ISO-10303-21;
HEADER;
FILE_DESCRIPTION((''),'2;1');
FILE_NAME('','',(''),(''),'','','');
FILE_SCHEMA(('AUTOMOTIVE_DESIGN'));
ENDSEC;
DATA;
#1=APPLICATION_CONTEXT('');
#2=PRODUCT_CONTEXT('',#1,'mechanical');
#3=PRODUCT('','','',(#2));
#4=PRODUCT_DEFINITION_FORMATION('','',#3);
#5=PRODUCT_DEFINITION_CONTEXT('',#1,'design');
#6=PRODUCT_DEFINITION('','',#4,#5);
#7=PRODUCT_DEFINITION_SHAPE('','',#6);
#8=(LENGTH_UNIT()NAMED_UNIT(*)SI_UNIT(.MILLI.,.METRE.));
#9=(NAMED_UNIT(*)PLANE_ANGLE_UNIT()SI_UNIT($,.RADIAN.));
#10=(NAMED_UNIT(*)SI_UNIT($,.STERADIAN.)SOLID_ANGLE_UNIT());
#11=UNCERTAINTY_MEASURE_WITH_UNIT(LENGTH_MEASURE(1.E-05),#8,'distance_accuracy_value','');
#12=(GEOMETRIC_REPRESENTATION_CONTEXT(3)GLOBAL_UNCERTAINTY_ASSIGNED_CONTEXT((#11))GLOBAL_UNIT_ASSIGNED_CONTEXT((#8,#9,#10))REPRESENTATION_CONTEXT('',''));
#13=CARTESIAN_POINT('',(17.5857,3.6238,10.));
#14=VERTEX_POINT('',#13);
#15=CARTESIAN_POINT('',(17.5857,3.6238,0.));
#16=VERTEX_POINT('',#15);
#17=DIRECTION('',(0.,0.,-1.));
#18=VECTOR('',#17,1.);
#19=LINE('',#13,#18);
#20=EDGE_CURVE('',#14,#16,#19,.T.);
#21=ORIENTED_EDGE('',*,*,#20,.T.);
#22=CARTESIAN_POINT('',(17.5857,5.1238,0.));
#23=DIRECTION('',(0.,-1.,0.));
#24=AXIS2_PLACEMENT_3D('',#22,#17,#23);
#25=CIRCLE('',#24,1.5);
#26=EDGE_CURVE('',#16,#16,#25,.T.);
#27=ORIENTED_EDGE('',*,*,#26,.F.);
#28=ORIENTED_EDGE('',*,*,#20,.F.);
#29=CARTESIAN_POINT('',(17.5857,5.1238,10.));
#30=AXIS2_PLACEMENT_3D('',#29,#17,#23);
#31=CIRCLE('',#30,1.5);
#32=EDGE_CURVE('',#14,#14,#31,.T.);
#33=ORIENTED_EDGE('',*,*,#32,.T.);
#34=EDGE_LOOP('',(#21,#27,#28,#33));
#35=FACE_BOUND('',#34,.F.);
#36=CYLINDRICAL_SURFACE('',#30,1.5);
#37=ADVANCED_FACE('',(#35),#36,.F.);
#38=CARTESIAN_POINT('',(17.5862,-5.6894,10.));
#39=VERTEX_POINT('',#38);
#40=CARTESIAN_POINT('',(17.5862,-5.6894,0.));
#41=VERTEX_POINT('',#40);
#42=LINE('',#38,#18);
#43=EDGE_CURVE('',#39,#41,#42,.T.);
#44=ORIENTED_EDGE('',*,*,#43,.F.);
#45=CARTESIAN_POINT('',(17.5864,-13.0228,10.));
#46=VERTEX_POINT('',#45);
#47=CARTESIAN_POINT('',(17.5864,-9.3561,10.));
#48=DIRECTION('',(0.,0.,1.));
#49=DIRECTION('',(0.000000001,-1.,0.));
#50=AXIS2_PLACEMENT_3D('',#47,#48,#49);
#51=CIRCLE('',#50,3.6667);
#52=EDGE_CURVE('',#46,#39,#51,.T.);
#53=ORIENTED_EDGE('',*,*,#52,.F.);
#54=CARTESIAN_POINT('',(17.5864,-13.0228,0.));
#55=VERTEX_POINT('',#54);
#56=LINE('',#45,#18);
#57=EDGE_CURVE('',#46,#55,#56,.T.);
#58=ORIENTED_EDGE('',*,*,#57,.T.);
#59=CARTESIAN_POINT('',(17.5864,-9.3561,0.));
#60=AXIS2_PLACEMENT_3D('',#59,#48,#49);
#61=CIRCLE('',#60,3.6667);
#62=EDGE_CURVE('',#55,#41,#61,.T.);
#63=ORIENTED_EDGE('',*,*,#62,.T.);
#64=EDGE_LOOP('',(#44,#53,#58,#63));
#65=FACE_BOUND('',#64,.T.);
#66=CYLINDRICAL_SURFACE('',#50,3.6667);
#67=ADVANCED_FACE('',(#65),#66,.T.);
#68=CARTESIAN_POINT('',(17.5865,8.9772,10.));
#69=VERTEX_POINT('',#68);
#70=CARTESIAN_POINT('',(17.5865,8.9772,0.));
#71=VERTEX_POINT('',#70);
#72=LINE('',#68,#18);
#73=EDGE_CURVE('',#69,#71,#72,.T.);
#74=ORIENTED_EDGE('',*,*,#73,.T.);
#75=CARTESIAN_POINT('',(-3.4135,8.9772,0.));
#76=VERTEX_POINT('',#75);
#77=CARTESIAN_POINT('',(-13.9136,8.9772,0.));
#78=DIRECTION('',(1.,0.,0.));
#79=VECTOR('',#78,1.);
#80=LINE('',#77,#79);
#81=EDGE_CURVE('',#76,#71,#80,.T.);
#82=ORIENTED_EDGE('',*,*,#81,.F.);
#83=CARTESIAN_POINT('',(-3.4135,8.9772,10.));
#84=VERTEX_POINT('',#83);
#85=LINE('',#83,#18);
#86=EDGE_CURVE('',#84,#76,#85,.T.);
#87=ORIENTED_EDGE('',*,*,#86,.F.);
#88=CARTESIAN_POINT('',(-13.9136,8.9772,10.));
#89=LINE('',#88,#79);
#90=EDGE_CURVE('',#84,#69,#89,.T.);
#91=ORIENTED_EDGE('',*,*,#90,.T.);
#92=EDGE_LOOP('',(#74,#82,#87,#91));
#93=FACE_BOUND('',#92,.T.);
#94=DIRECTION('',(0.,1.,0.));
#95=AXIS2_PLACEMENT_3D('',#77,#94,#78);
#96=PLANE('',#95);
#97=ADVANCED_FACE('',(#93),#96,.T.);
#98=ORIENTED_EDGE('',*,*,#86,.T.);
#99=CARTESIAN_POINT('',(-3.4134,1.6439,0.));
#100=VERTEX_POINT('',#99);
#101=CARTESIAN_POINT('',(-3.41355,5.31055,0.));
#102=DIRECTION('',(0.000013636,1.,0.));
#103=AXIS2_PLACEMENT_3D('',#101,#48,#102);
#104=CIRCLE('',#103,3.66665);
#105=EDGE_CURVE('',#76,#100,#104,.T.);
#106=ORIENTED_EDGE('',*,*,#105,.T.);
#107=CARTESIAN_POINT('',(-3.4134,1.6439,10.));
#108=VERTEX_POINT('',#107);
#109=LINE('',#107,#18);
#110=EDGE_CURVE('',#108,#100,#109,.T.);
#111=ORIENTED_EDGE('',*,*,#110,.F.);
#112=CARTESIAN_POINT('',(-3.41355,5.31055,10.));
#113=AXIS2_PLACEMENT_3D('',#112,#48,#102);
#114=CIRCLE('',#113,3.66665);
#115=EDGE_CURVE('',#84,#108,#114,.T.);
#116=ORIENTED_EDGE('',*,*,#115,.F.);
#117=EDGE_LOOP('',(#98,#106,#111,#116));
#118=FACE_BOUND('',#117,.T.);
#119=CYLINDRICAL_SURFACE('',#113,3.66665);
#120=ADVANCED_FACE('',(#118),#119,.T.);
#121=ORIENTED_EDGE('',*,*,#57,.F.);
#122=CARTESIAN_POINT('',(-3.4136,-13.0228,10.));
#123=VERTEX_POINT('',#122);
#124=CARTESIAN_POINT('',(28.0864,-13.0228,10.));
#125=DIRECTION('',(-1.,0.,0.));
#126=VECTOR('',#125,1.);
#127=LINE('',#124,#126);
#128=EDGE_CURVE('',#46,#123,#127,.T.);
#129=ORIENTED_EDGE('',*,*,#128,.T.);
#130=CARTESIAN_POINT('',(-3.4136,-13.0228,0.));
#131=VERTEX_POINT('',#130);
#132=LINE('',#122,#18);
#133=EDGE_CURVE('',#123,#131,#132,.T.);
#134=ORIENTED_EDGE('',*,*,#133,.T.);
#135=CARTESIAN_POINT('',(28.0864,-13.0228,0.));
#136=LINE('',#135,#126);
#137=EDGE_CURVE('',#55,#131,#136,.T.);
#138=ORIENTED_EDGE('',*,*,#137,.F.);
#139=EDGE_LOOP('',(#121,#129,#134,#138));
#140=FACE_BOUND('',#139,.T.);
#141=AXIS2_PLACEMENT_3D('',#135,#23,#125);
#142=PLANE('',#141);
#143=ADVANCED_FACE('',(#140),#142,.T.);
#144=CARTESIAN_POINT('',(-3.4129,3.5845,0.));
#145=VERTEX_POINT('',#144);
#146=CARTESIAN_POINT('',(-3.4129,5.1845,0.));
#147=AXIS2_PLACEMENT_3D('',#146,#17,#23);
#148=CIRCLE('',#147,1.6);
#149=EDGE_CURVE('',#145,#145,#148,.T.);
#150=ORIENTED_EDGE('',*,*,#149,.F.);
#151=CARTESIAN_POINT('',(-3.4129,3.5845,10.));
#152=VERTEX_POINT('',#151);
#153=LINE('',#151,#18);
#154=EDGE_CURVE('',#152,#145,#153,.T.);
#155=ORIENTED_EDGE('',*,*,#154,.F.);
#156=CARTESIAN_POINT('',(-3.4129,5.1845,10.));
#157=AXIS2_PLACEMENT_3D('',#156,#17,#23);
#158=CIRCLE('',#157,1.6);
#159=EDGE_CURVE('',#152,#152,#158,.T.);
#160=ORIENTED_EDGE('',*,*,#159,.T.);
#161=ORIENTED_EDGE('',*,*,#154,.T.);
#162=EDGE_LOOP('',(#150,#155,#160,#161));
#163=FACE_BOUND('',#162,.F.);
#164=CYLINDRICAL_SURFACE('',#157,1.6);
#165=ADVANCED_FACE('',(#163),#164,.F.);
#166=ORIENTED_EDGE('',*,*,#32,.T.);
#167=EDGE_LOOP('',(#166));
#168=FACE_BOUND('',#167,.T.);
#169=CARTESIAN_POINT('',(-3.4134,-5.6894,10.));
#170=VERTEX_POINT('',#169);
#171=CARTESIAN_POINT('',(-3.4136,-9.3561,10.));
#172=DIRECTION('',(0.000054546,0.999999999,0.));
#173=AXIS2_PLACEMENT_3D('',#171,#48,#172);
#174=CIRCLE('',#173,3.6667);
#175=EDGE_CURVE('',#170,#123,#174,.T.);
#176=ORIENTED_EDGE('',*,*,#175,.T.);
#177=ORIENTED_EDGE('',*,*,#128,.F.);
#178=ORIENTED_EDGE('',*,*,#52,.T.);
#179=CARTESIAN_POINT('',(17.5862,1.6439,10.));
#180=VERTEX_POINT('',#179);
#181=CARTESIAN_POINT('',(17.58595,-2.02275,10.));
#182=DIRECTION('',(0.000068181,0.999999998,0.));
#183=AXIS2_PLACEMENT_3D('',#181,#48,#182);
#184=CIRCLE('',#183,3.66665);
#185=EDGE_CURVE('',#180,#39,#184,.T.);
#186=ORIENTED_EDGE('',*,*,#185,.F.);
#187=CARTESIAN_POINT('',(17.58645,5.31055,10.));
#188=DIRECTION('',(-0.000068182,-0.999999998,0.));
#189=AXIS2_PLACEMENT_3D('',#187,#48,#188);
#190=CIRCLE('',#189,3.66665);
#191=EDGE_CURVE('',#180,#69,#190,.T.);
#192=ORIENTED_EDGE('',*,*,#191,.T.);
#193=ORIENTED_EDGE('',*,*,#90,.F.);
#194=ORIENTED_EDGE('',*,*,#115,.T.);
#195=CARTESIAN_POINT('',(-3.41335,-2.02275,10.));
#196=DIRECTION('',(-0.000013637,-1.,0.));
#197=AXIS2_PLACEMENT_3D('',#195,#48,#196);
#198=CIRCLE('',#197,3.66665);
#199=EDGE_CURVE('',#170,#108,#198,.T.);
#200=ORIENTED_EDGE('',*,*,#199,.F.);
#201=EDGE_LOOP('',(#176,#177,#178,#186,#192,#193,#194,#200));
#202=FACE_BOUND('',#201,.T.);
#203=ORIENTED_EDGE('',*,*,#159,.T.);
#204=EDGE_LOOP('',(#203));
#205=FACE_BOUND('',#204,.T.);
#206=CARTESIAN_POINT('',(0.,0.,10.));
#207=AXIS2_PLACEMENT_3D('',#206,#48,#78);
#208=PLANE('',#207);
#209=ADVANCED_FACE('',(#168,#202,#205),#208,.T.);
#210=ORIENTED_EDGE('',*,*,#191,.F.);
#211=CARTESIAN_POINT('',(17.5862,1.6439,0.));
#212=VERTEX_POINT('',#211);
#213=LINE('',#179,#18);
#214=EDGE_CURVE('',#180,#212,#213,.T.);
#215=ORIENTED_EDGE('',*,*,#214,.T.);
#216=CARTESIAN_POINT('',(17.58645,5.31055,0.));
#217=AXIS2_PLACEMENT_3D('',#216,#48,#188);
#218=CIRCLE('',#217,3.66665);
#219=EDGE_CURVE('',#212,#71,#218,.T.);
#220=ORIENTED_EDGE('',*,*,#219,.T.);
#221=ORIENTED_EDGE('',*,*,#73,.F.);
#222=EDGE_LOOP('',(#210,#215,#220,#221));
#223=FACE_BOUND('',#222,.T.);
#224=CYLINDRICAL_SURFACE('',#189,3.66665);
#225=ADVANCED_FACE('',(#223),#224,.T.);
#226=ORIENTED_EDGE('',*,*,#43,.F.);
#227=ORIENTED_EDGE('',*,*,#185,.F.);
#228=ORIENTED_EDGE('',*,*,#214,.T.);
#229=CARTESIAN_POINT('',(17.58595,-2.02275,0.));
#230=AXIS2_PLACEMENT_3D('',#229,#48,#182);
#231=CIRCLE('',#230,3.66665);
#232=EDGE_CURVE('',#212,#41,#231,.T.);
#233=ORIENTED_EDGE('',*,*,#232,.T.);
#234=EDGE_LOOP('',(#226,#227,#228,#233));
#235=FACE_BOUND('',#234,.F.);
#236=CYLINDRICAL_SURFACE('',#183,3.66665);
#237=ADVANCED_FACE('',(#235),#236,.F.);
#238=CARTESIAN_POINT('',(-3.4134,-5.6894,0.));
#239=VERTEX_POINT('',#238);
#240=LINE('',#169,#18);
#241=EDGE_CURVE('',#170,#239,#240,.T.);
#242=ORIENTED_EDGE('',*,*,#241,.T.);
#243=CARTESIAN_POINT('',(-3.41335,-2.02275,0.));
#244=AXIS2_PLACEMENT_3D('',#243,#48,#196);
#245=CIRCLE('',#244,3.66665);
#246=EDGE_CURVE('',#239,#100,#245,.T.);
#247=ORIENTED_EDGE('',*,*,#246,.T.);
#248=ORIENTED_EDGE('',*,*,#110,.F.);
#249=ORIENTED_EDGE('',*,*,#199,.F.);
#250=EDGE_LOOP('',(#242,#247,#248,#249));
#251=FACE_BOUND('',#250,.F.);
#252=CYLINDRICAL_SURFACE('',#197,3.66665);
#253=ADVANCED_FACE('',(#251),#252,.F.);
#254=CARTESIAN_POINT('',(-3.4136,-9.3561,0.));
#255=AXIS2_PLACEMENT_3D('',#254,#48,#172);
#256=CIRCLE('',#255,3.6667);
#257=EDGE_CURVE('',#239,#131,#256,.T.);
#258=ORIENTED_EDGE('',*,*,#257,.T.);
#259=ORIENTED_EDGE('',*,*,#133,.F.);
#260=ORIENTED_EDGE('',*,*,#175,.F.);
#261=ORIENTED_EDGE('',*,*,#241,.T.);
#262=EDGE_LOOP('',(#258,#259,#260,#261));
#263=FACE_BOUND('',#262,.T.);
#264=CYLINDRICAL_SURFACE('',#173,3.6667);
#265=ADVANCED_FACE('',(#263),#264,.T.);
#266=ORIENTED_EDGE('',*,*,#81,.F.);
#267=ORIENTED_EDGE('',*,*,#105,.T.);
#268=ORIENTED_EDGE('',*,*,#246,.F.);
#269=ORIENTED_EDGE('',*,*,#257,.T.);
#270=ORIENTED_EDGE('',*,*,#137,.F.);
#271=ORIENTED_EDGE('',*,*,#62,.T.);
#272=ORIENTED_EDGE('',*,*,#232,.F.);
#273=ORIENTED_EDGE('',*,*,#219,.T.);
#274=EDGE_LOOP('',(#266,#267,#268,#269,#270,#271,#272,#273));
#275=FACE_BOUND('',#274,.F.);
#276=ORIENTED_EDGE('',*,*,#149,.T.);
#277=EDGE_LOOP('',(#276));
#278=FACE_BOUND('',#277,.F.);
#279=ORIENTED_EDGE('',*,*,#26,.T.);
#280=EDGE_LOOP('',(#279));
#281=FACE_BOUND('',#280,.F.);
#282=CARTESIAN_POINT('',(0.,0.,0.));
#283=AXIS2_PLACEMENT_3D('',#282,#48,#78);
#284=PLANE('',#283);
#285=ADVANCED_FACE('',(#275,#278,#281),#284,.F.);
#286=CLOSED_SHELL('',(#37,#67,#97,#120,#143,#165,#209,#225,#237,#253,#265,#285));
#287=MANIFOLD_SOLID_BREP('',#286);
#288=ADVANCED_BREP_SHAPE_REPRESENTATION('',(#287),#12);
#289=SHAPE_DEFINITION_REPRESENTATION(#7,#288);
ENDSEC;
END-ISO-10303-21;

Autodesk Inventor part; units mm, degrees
ref_plane "YZ Plane" through (0, 0, 0) normal (1, 0, 0) x (0, 1, 0)
ref_plane "XZ Plane" through (0, 0, 0) normal (0, 1, 0) x (-1, 0, 0)
ref_plane "XY Plane" through (0, 0, 0) normal (0, 0, 1) x (1, 0, 0)
sketch "Sketch1" plane through (0, 0, 0) normal (0, 0, 1) x (1, 0, 0)
  line L0 (-13.9136, 8.9772) -> (28.0864, 8.9772)
  line L1 (28.0864, 8.9772) -> (28.0864, -13.0228)
  line L2 (28.0864, -13.0228) -> (-13.9136, -13.0228)
  line L3 (-13.9136, -13.0228) -> (-13.9136, 8.9772)
  point P0 (0, 0)
  dimension "d0" = 42
  dimension "d1" = 22
extrude "Extrusion1" add sketch "Sketch1" along normal blind 10
sketch "Sketch2" plane through (0, 0, 10) normal (0, 0, 1) x (1, 0, 0)
  line L0 (-13.9136, -13.0228) -> (28.0864, -13.0228) projected
  arc A0 (-3.4134, -5.6894) -> (-3.4136, -13.0228) centre (-3.4136, -9.3561) ccw
  arc A1 (-3.4134, -5.6894) -> (-3.4134, 1.6439) centre (-3.4133, -2.0228) ccw
  arc A2 (17.5864, -13.0228) -> (17.5862, -5.6894) centre (17.5864, -9.3561) ccw
  arc A3 (17.5862, 1.6439) -> (17.5862, -5.6894) centre (17.586, -2.0228) ccw
  line L1 (-3.4136, -13.0228) -> (17.5864, -13.0228)
  line L2 (-3.4135, 8.9772) -> (17.5865, 8.9772)
  line L3 (28.0864, 8.9772) -> (-13.9136, 8.9772) projected
  line L4 (-3.4133, -2.0228) -> (-3.4136, -9.3561) construction
  line L5 (17.5864, -9.3561) -> (17.586, -2.0228) construction
  arc A4 (-3.4135, 8.9772) -> (-3.4134, 1.6439) centre (-3.4136, 5.3106) ccw
  arc A5 (17.5862, 1.6439) -> (17.5865, 8.9772) centre (17.5864, 5.3106) ccw
  line L6 (-3.4133, -2.0228) -> (-13.9136, -2.0228) construction
  line L7 (17.586, -2.0228) -> (28.0864, -2.0228) construction
  line L8 (28.0864, -13.0228) -> (28.0864, 8.9772) construction
  line L9 (-13.9136, 8.9772) -> (-13.9136, -13.0228) projected
  line L10 (-7.0803, -9.356) -> (-13.9136, -9.356) construction
  line L11 (21.2531, -9.356) -> (28.0864, -9.356) construction
  line L12 (-13.9136, -13.0228) -> (28.0864, -13.0228)
  line L13 (28.0864, -13.0228) -> (28.0864, 8.9772)
  line L14 (28.0864, 8.9772) -> (-13.9136, 8.9772)
  line L15 (-13.9136, 8.9772) -> (-13.9136, -13.0228)
  line L16 (-7.0803, 5.3105) -> (-13.9136, 5.3105) construction
  line L17 (21.2531, 5.3105) -> (28.0864, 5.3105) construction
  point P0 (0, 0)
  point P1 (17.8152, 8.9772)
  point P2 (-3.4136, 8.9772)
  point P3 (-3.4136, 8.9772)
  dimension "d4" = 21
  dimension "d5" = 22
  dimension "d17" = 21
extrude "Extrusion2" cut sketch "Sketch2" against normal blind 10 contours L9 L3 A4 A1 A0 L0 | A2 A3 A5 L3 L13 L0
sketch "Sketch3" plane through (0, 0, 10) normal (0, 0, 1) x (1, 0, 0)
  arc A0 (-3.4134, -5.6894) -> (-3.4134, 1.6439) centre (-3.4133, -2.0228) ccw construction
  line L0 (-7.2207, -5.6893) -> (3.1864, -5.6897) construction
  line L1 (20.3968, -5.6893) -> (9.686, -5.6898) construction
  arc A1 (-3.4134, -5.6894) -> (-3.4136, -13.0228) centre (-3.4136, -9.3561) ccw construction
  arc A2 (-3.4134, -5.6894) -> (-3.4134, 1.6439) centre (-3.4133, -2.0228) ccw construction
  arc A3 (17.5864, -13.0228) -> (17.5862, -5.6894) centre (17.5864, -9.3561) ccw construction
  arc A4 (17.5862, 1.6439) -> (17.5862, -5.6894) centre (17.586, -2.0228) ccw construction
  line L2 (-3.4137, -11.3763) -> (-3.4129, 5.1845) construction
  line L3 (17.5866, -13.0364) -> (17.5857, 5.1238) construction
  arc A5 (17.5862, 1.6439) -> (17.5862, -5.6894) centre (17.586, -2.0228) ccw construction
  point P0 (0, 0)
hole "Hole1" at (17.5857, 5.1238, 10) direction (0, 0, -1) diameter 3 end through all
hole "Hole2" at (-3.4129, 5.1845, 10) direction (0, 0, -1) diameter 3.2 end through all
properties part number "Zipperteethv7"
